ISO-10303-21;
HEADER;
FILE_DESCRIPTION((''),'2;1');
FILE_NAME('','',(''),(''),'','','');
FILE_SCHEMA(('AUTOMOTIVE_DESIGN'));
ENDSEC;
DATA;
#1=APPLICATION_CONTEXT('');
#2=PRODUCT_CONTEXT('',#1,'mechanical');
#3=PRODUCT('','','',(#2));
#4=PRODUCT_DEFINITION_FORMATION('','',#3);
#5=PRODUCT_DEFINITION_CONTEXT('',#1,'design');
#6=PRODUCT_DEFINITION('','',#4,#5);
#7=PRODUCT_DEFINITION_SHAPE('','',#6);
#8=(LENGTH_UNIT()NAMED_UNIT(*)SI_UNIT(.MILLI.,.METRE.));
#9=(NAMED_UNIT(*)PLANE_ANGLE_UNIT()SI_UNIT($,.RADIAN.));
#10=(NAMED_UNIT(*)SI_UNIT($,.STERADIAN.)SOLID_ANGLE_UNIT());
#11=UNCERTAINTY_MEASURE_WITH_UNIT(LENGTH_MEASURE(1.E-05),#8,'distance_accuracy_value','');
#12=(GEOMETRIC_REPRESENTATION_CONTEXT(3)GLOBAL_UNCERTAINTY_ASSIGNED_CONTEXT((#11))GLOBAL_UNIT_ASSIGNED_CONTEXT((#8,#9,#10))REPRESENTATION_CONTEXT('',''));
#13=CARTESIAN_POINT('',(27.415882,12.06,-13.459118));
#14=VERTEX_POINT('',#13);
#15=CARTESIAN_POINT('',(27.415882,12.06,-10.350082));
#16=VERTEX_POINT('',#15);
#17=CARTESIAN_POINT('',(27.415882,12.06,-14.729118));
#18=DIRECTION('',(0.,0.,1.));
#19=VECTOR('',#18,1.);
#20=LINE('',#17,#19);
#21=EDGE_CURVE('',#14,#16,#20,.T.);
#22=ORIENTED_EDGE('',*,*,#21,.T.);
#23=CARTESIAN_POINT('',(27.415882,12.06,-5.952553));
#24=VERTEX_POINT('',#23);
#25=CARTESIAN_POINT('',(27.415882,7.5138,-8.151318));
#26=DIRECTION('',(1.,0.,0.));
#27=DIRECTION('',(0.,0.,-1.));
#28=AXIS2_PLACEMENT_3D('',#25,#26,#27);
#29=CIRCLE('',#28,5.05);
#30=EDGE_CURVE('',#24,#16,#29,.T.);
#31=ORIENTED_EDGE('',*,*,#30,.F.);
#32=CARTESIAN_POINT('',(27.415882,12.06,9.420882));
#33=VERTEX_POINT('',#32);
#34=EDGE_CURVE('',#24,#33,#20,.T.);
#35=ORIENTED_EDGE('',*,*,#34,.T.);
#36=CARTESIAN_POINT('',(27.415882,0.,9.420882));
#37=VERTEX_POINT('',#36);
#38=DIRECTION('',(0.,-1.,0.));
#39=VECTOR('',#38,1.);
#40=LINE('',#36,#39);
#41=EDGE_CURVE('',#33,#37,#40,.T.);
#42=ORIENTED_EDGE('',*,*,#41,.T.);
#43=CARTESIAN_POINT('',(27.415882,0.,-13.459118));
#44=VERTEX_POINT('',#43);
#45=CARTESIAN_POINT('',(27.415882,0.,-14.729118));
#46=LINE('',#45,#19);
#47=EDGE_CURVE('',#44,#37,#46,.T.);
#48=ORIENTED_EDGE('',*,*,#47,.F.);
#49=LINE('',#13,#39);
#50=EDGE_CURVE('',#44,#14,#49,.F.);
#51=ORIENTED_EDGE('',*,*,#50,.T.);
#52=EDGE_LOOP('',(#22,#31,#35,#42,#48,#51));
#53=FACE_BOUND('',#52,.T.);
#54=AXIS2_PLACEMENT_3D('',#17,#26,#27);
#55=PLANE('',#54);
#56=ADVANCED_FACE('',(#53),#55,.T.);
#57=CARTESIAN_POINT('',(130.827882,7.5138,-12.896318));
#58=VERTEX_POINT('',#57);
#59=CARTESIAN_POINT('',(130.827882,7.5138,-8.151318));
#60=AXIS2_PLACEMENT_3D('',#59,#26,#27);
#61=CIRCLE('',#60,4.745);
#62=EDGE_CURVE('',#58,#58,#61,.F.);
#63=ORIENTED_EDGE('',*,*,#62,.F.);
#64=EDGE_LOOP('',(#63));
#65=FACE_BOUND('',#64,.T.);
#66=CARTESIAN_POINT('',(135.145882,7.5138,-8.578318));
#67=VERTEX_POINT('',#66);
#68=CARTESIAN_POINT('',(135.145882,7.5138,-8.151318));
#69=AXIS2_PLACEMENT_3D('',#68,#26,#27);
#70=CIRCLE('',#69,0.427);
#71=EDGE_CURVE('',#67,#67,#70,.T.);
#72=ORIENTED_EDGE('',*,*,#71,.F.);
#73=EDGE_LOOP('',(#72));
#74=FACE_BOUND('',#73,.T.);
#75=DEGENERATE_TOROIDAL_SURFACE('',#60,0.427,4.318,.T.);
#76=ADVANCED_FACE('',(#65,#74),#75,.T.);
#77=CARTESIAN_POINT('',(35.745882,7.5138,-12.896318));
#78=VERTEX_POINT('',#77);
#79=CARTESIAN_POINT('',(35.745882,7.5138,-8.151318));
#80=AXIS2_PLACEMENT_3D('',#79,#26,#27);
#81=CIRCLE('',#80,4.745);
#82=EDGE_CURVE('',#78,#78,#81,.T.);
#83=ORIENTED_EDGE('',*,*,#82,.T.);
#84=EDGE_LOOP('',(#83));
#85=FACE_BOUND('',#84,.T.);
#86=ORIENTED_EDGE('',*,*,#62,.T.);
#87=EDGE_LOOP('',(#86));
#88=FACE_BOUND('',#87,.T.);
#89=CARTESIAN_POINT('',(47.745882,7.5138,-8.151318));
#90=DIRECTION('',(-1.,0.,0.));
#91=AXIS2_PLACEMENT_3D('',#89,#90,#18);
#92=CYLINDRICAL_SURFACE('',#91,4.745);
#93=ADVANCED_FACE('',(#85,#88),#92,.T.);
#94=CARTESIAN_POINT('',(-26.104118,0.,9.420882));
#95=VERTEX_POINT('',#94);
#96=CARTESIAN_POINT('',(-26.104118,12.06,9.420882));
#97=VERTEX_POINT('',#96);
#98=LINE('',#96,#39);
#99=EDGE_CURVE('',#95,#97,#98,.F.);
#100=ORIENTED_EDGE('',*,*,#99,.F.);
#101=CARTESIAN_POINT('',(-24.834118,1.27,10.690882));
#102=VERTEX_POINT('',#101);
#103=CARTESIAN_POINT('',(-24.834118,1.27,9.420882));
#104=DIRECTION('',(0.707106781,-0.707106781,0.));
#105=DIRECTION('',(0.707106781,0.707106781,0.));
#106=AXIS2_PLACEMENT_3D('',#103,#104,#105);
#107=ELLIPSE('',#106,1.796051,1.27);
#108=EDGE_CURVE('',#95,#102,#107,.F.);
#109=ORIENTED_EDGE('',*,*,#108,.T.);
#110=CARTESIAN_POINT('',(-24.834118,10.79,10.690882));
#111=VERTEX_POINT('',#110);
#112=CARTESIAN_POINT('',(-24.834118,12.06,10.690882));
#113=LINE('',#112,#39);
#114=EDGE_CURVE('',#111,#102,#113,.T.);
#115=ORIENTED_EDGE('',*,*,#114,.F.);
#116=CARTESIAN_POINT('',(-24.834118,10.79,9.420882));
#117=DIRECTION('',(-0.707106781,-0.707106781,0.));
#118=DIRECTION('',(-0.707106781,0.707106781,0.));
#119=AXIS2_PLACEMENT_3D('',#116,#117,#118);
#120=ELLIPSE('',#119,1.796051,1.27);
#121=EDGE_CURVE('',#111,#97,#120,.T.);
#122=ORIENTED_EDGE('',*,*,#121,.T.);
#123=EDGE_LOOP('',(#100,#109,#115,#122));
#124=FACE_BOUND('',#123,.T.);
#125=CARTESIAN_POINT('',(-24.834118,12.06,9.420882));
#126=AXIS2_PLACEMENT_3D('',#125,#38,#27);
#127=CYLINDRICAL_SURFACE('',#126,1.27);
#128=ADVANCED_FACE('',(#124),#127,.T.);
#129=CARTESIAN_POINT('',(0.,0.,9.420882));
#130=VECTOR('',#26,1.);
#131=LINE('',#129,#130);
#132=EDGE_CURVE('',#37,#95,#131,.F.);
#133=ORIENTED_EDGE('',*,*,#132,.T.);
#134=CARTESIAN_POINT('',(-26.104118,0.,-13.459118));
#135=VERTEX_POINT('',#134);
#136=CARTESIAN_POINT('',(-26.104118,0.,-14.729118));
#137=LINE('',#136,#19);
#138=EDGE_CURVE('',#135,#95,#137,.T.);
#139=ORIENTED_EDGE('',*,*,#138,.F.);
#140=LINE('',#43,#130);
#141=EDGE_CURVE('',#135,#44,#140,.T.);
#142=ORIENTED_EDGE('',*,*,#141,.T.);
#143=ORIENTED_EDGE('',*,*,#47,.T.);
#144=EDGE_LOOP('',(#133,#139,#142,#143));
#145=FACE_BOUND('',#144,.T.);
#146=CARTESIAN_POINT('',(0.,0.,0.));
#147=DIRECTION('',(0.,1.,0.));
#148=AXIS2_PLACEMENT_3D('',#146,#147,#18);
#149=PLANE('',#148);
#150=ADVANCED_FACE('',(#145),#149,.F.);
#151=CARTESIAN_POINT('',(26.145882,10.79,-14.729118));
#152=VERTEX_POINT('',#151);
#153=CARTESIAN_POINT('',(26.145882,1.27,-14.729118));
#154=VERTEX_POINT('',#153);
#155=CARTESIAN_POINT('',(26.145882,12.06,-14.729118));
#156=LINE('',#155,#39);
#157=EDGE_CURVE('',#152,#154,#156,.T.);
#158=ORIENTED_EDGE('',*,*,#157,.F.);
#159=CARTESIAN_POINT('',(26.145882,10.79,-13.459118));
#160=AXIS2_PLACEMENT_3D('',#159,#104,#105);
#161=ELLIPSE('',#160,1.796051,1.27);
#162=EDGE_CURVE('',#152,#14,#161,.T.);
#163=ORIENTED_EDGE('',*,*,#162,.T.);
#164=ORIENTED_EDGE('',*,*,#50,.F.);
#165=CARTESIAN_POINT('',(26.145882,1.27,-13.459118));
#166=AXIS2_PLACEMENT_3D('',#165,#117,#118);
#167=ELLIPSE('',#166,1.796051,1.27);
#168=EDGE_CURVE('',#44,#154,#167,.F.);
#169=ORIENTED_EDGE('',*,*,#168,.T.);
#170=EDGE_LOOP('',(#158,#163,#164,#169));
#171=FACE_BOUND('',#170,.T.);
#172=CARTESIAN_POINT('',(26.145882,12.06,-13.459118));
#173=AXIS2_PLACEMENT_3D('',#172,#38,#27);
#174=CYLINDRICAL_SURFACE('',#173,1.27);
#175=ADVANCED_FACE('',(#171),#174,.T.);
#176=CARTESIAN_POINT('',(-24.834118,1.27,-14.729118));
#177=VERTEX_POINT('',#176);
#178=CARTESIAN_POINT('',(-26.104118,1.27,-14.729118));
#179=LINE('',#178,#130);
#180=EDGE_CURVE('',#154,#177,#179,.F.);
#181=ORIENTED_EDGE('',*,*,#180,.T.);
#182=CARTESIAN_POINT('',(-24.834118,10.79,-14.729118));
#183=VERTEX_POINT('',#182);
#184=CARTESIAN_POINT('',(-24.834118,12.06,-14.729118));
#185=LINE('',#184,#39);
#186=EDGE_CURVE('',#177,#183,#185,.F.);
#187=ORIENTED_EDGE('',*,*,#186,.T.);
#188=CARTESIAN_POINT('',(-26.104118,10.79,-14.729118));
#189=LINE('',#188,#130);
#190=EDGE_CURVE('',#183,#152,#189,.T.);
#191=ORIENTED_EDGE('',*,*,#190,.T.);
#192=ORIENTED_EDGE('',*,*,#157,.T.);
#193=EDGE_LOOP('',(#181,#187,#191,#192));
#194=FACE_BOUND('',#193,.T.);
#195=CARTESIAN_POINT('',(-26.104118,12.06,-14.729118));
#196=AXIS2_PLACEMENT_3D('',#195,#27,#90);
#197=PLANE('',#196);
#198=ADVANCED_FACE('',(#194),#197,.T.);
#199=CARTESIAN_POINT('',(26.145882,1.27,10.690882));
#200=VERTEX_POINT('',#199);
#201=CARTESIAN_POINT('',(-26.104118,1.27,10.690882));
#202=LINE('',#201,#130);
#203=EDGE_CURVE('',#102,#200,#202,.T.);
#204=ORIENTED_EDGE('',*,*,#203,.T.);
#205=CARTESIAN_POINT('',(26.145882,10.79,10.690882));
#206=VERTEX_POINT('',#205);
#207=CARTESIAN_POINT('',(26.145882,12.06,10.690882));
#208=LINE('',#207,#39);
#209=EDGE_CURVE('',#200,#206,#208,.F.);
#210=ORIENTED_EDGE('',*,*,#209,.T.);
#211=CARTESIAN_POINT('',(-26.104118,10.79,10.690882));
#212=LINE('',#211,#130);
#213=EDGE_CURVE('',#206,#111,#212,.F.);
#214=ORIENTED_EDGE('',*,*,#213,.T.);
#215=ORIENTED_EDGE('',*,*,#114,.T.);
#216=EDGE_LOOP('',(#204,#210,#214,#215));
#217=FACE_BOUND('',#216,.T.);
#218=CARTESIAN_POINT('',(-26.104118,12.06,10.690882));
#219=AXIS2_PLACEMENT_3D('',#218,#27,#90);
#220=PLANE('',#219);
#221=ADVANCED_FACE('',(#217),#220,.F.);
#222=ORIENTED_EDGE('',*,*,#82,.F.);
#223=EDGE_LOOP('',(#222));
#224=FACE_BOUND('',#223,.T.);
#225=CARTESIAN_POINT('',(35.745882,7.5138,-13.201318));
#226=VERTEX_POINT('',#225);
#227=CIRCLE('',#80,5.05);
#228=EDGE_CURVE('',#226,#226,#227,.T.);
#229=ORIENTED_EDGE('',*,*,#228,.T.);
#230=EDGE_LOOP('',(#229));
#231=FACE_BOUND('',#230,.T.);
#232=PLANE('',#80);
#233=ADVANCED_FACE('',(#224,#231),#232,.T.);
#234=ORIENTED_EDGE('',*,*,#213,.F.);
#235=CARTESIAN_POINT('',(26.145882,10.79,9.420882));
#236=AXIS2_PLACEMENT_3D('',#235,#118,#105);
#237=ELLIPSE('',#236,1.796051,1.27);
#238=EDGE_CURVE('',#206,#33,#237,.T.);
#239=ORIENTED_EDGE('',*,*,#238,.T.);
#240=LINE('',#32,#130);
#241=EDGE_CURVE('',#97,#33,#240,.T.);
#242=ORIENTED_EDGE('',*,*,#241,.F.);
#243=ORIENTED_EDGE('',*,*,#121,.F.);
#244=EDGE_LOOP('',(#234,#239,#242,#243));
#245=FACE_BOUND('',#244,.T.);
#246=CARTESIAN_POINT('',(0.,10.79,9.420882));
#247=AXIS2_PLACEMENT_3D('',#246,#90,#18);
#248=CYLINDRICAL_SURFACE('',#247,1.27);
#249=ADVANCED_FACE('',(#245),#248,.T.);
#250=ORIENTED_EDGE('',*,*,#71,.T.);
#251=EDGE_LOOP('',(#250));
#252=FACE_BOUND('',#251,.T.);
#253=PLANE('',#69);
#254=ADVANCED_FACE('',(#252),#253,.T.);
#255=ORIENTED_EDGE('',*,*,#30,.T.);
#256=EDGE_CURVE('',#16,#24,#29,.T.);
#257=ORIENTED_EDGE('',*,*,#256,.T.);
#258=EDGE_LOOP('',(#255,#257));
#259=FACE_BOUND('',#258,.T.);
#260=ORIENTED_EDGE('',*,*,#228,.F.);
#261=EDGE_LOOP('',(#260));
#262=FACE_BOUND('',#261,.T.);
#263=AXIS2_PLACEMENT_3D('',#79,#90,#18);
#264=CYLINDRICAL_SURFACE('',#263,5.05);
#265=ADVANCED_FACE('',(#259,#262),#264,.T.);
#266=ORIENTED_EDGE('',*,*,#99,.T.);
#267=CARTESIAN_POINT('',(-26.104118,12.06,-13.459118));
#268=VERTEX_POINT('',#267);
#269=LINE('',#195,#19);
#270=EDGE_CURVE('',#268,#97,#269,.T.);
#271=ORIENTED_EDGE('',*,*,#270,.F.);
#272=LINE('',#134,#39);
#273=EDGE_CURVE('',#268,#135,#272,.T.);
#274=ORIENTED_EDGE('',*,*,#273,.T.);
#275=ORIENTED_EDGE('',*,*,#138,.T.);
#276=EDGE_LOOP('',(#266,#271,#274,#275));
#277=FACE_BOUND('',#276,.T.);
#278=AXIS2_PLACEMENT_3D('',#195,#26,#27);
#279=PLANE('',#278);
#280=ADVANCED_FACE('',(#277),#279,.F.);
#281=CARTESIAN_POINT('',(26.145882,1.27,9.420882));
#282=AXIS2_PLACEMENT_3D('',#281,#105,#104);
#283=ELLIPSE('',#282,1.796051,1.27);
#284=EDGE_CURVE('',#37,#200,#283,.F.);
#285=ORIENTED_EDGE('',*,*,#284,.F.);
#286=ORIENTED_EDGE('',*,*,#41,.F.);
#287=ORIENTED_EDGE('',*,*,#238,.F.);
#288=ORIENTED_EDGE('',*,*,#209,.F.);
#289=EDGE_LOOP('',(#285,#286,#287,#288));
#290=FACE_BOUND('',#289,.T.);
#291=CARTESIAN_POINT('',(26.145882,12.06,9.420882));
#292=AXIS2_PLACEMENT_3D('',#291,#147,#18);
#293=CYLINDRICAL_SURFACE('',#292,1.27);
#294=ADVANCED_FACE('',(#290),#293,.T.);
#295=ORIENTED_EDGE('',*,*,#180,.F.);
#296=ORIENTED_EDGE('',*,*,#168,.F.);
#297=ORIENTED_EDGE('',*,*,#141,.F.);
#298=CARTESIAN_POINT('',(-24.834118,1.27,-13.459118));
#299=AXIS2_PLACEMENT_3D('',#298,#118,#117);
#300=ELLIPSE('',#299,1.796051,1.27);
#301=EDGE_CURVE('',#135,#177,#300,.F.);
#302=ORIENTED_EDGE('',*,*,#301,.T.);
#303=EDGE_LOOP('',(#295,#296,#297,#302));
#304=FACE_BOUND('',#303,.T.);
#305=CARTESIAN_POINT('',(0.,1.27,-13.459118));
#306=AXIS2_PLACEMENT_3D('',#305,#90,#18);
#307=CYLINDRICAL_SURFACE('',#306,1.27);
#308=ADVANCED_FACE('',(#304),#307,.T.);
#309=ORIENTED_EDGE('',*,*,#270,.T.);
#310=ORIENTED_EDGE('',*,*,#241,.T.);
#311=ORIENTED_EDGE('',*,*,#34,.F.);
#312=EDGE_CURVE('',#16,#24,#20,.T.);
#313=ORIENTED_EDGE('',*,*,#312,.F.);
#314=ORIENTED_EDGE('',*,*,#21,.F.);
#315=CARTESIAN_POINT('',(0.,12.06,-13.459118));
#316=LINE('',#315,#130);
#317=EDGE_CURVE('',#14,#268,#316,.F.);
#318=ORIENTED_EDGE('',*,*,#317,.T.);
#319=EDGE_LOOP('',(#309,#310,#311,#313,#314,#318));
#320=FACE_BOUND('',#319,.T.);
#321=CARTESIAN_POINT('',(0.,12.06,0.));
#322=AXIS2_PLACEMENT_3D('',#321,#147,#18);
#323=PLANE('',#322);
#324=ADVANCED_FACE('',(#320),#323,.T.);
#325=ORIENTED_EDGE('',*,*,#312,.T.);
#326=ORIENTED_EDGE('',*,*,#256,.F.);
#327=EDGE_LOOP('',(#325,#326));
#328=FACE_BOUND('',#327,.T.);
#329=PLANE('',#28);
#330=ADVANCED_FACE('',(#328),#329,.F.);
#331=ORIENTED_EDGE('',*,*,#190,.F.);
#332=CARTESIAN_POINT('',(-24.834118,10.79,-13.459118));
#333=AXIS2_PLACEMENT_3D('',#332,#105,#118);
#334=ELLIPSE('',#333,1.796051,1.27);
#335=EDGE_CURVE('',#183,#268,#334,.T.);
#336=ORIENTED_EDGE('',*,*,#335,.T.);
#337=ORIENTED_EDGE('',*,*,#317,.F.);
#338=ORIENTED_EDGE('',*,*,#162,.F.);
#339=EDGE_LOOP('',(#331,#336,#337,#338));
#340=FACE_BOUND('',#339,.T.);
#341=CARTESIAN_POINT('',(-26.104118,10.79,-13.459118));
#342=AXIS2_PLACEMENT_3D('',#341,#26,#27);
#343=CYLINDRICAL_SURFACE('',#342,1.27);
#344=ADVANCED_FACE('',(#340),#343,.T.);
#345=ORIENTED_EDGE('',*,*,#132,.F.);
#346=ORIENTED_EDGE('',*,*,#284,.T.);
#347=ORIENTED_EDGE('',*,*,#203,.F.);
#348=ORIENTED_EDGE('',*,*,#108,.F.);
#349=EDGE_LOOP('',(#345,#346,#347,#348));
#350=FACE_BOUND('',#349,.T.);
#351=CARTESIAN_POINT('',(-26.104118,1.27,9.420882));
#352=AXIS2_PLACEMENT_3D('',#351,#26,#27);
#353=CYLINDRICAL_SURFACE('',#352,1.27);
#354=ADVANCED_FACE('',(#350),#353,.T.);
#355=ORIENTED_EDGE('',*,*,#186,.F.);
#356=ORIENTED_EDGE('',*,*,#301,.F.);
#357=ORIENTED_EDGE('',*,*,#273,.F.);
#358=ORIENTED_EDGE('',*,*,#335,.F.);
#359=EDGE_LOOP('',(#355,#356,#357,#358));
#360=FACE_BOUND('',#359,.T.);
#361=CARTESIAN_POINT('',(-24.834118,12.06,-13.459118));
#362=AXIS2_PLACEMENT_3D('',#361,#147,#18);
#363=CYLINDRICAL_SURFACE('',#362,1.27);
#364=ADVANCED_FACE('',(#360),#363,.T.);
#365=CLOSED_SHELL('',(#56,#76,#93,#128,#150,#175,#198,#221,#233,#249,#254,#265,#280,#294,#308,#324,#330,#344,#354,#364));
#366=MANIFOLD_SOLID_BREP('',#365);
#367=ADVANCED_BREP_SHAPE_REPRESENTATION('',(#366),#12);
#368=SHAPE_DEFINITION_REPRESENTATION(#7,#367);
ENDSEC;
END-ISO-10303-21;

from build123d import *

# Parameters (mm, degrees)
SKETCH1_W           = 53.52
SKETCH1_H           = 25.42
BOSS_EXTRUDE2_DEPTH = 12.06
SKETCH2_R           = 5.05
BOSS_EXTRUDE3_DEPTH = 8.33
SKETCH3_R           = 4.745
BOSS_EXTRUDE4_DEPTH = 12
SKETCH4_R           = 4.745
BOSS_EXTRUDE5_DEPTH = 87.4
FILLET1_R           = 4.318
FILLET2_R           = 1.27
FILLET3_R           = 1.27


with BuildPart() as part:
    # Sketch1 → Boss-Extrude2 (new body)
    with BuildSketch(Plane(origin=(0, 0, 0), x_dir=(1, 0, 0), z_dir=(0, 1, 0))):
        with Locations((0.655882353, 2.019117647)):
            Rectangle(SKETCH1_W, SKETCH1_H)
    extrude(amount=BOSS_EXTRUDE2_DEPTH)

    # Sketch2 → Boss-Extrude3 (add)
    with BuildSketch(Plane(origin=(27.415882353, 0, 0), x_dir=(0, 0, -1), z_dir=(1, 0, 0))):
        with Locations(Location((8.151317647, 7.5138, 0), (0, 0, 115.810680581))):
            Circle(SKETCH2_R)
    extrude(amount=BOSS_EXTRUDE3_DEPTH)

    # Sketch3 → Boss-Extrude4 (add)
    with BuildSketch(Plane(origin=(35.745882353, 0, 0), x_dir=(0, 0, -1), z_dir=(1, 0, 0))):
        with Locations((8.151317647, 7.5138)):
            Circle(SKETCH3_R)
    extrude(amount=BOSS_EXTRUDE4_DEPTH)

    # Sketch4 → Boss-Extrude5 (add)
    with BuildSketch(Plane(origin=(47.745882353, 0, 0), x_dir=(0, 0, -1), z_dir=(1, 0, 0))):
        with Locations((8.151317647, 7.5138)):
            Circle(SKETCH4_R)
    extrude(amount=BOSS_EXTRUDE5_DEPTH)

    # Fillet1
    fillet1_edges = [part.edges().sort_by_distance(p)[0] for p in [
        (135.145882353, 7.5138, -3.406317647),
    ]]
    fillet(fillet1_edges, radius=FILLET1_R)

    # Fillet2
    fillet2_edges = [part.edges().sort_by_distance(p)[0] for p in [
        (0.655882353, 0, 10.690882353),
        (0.655882353, 12.06, 10.690882353),
        (27.415882353, 6.03, 10.690882353),
        (-26.104117647, 6.03, 10.690882353),
    ]]
    fillet(fillet2_edges, radius=FILLET2_R)

    # Fillet3
    fillet3_edges = [part.edges().sort_by_distance(p)[0] for p in [
        (0.655882353, 12.06, -14.729117647),
        (0.655882353, 0, -14.729117647),
        (-26.104117647, 6.03, -14.729117647),
        (27.415882353, 6.03, -14.729117647),
    ]]
    fillet(fillet3_edges, radius=FILLET3_R)


solid = part.part
